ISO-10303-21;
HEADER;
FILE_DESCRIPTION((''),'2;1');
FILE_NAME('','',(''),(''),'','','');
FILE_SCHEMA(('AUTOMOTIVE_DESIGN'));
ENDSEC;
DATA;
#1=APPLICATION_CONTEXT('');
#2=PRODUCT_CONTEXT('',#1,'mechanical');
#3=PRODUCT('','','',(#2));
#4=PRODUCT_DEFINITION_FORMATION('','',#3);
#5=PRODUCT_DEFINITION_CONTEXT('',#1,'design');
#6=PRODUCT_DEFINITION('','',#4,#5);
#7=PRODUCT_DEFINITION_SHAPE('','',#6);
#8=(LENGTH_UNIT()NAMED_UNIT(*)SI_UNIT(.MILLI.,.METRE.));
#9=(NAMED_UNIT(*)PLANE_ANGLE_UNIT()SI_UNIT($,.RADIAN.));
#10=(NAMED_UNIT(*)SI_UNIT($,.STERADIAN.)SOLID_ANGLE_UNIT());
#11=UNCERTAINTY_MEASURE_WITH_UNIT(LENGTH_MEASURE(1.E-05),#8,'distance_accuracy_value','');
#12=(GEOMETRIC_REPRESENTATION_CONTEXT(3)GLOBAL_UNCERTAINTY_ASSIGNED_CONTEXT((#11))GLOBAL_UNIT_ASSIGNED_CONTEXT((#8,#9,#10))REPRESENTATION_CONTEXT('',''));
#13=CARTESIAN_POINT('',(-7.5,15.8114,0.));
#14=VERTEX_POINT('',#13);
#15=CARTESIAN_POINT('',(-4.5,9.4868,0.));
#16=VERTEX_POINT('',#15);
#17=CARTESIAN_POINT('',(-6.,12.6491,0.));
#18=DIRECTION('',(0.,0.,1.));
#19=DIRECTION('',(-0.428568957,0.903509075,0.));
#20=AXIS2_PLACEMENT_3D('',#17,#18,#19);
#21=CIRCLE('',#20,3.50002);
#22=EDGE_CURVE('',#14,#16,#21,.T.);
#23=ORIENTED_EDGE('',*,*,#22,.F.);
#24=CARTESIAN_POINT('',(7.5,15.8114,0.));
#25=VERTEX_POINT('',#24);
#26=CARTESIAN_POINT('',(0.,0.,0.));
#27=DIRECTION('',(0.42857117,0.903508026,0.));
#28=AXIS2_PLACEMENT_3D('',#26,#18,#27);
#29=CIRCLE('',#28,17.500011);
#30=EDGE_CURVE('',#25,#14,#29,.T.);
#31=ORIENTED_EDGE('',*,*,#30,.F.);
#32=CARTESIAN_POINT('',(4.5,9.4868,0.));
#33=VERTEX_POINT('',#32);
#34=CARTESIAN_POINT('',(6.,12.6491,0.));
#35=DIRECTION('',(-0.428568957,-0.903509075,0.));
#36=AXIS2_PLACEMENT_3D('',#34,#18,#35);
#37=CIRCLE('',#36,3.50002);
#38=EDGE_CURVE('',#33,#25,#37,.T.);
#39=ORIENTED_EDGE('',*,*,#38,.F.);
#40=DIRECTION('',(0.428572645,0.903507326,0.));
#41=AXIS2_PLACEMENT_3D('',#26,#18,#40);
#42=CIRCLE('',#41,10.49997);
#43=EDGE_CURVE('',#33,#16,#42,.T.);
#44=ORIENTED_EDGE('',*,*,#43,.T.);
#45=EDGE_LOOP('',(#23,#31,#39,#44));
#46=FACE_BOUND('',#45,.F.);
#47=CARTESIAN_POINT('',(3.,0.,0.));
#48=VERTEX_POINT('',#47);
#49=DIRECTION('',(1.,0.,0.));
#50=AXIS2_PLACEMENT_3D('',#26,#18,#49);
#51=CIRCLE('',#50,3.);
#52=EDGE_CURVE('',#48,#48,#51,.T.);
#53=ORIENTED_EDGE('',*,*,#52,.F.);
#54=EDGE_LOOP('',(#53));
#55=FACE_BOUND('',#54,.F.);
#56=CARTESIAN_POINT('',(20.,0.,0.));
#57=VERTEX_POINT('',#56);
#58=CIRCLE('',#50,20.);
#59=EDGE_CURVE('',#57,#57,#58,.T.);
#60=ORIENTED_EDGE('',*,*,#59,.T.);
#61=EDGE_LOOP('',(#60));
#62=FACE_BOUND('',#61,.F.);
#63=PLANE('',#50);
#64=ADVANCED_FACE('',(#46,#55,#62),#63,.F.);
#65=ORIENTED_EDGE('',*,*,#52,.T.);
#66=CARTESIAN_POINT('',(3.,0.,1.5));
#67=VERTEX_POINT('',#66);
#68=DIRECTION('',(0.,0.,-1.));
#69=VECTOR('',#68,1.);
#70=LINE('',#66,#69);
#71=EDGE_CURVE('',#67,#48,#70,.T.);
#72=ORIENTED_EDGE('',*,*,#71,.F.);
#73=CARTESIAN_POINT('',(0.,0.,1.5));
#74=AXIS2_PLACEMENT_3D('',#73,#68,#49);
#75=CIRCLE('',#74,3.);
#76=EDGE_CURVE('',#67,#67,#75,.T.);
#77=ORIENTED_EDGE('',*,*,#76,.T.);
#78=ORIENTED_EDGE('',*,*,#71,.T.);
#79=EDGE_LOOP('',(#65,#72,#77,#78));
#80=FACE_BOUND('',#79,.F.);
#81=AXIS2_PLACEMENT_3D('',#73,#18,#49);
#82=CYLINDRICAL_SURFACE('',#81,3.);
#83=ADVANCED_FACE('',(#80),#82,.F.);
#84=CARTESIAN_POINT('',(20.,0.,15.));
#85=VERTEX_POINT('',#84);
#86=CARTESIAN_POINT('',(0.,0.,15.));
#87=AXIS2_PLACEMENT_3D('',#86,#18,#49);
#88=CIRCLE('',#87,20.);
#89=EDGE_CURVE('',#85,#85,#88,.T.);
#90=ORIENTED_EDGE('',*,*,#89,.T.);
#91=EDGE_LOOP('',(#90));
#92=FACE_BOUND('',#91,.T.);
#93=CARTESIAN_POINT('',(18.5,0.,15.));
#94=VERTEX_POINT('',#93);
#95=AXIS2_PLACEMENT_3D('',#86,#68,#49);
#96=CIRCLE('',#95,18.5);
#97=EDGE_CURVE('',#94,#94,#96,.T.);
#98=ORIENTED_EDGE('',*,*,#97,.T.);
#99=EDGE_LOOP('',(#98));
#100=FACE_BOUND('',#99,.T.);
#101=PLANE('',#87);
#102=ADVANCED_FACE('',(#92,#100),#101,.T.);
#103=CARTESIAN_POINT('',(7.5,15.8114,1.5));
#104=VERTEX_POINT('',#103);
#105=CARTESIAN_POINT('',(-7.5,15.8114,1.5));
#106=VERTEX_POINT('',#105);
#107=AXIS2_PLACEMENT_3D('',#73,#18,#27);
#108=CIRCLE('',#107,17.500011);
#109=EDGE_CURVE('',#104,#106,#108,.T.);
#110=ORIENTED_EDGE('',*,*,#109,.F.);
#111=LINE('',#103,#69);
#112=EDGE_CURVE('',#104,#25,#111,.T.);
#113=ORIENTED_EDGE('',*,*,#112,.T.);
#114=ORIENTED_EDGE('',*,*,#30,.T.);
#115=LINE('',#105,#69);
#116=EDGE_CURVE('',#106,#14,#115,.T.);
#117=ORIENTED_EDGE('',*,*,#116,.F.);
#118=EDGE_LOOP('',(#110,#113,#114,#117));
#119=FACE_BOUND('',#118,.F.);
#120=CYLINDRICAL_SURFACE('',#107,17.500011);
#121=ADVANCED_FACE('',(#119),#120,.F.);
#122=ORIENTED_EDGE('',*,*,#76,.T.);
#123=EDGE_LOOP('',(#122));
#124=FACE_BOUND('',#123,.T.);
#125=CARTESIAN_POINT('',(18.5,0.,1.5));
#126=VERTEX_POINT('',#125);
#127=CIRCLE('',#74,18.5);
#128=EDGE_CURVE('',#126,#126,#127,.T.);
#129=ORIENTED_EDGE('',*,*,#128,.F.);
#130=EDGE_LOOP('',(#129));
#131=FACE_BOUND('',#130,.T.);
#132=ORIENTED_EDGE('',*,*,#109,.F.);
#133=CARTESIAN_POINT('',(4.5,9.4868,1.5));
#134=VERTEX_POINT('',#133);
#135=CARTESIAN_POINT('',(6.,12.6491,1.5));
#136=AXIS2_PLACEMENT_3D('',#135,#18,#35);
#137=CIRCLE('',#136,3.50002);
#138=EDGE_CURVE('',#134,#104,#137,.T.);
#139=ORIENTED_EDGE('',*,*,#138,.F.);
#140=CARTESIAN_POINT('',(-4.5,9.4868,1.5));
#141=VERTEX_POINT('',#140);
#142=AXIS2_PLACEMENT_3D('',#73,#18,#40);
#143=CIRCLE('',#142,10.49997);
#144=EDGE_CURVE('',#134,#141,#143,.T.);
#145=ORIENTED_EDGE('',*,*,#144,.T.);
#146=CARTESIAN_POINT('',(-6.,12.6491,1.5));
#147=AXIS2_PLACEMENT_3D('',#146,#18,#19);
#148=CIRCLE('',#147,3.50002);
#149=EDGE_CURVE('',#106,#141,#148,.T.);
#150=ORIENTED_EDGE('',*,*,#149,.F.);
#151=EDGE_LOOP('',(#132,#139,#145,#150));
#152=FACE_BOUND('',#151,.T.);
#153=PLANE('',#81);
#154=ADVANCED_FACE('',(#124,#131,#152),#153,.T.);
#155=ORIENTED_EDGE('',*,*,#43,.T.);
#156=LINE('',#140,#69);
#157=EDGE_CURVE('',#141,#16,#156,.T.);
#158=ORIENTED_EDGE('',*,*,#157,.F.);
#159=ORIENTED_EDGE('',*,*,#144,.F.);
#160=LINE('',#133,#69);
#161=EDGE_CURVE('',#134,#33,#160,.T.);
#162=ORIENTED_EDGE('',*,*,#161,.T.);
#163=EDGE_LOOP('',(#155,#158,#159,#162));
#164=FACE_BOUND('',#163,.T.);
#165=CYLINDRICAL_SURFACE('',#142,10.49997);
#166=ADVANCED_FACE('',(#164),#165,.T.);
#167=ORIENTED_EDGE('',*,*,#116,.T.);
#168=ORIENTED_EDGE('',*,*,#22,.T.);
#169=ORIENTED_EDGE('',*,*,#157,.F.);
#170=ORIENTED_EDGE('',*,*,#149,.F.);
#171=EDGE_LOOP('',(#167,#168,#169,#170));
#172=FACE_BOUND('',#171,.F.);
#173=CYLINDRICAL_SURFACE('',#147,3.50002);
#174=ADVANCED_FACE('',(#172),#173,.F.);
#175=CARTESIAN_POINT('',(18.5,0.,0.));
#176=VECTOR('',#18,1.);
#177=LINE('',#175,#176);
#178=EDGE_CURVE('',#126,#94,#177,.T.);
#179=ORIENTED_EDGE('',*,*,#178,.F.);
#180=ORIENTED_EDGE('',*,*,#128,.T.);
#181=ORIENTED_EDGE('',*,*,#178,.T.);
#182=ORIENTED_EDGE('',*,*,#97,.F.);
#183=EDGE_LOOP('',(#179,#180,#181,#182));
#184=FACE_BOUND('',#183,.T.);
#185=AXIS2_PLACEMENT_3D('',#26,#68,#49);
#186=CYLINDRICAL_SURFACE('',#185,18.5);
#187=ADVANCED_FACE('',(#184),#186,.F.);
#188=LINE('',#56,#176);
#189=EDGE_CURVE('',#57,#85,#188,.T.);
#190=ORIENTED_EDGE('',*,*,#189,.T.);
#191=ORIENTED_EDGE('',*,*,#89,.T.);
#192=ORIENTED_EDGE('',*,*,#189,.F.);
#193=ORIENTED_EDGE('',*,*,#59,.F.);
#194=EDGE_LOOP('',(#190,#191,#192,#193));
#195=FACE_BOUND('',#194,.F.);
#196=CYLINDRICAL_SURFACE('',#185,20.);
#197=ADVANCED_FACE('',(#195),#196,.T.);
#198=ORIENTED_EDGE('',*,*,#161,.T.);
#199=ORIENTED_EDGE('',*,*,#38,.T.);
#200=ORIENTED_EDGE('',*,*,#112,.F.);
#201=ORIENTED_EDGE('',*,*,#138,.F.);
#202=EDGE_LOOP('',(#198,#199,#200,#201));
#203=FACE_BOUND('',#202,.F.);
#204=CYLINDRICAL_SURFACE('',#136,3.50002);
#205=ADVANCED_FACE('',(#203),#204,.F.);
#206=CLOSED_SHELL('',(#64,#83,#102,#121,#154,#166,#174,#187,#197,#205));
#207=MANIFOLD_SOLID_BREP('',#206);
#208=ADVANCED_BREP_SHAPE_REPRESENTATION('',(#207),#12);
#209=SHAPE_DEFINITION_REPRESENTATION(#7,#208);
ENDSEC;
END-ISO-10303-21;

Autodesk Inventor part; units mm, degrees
ref_plane "YZ Plane" through (0, 0, 0) normal (1, 0, 0) x (0, 1, 0)
ref_plane "XZ Plane" through (0, 0, 0) normal (0, 1, 0) x (-1, 0, 0)
ref_plane "XY Plane" through (0, 0, 0) normal (0, 0, 1) x (1, 0, 0)
sketch "Sketch1" plane through (0, 0, 0) normal (0, 0, 1) x (1, 0, 0)
  circle A0 centre (0, 0) radius 20
  dimension "d0" = 40
extrude "Extrusion1" add sketch "Sketch1" along normal blind 15
shell "Shell1" thickness 1.5 removed faces 1 at (-2.364, 6.2334, 15)
sketch "Sketch2" plane through (0, 0, 1.5) normal (0, 0, 1) x (1, 0, 0)
  circle A0 centre (0, 0) radius 3
  arc A1 (6, 12.6491) -> (-6, 12.6491) centre (0, 0) ccw construction
  arc A2 (7.5, 15.8114) -> (-7.5, 15.8114) centre (0, 0) ccw
  arc A3 (4.5, 9.4868) -> (-4.5, 9.4868) centre (0, 0) ccw
  arc A4 (4.5, 9.4868) -> (7.5, 15.8114) centre (6, 12.6491) ccw
  arc A5 (-7.5, 15.8114) -> (-4.5, 9.4868) centre (-6, 12.6491) ccw
  line L0 (0, -30.6) -> (0, 43.6) projected
  dimension "d4" = 6
  dimension "d5" = 7
  dimension "d6" = 14
  dimension "d9" = 12
extrude "Extrusion2" cut sketch "Sketch2" against normal through all
properties part number "principal"
